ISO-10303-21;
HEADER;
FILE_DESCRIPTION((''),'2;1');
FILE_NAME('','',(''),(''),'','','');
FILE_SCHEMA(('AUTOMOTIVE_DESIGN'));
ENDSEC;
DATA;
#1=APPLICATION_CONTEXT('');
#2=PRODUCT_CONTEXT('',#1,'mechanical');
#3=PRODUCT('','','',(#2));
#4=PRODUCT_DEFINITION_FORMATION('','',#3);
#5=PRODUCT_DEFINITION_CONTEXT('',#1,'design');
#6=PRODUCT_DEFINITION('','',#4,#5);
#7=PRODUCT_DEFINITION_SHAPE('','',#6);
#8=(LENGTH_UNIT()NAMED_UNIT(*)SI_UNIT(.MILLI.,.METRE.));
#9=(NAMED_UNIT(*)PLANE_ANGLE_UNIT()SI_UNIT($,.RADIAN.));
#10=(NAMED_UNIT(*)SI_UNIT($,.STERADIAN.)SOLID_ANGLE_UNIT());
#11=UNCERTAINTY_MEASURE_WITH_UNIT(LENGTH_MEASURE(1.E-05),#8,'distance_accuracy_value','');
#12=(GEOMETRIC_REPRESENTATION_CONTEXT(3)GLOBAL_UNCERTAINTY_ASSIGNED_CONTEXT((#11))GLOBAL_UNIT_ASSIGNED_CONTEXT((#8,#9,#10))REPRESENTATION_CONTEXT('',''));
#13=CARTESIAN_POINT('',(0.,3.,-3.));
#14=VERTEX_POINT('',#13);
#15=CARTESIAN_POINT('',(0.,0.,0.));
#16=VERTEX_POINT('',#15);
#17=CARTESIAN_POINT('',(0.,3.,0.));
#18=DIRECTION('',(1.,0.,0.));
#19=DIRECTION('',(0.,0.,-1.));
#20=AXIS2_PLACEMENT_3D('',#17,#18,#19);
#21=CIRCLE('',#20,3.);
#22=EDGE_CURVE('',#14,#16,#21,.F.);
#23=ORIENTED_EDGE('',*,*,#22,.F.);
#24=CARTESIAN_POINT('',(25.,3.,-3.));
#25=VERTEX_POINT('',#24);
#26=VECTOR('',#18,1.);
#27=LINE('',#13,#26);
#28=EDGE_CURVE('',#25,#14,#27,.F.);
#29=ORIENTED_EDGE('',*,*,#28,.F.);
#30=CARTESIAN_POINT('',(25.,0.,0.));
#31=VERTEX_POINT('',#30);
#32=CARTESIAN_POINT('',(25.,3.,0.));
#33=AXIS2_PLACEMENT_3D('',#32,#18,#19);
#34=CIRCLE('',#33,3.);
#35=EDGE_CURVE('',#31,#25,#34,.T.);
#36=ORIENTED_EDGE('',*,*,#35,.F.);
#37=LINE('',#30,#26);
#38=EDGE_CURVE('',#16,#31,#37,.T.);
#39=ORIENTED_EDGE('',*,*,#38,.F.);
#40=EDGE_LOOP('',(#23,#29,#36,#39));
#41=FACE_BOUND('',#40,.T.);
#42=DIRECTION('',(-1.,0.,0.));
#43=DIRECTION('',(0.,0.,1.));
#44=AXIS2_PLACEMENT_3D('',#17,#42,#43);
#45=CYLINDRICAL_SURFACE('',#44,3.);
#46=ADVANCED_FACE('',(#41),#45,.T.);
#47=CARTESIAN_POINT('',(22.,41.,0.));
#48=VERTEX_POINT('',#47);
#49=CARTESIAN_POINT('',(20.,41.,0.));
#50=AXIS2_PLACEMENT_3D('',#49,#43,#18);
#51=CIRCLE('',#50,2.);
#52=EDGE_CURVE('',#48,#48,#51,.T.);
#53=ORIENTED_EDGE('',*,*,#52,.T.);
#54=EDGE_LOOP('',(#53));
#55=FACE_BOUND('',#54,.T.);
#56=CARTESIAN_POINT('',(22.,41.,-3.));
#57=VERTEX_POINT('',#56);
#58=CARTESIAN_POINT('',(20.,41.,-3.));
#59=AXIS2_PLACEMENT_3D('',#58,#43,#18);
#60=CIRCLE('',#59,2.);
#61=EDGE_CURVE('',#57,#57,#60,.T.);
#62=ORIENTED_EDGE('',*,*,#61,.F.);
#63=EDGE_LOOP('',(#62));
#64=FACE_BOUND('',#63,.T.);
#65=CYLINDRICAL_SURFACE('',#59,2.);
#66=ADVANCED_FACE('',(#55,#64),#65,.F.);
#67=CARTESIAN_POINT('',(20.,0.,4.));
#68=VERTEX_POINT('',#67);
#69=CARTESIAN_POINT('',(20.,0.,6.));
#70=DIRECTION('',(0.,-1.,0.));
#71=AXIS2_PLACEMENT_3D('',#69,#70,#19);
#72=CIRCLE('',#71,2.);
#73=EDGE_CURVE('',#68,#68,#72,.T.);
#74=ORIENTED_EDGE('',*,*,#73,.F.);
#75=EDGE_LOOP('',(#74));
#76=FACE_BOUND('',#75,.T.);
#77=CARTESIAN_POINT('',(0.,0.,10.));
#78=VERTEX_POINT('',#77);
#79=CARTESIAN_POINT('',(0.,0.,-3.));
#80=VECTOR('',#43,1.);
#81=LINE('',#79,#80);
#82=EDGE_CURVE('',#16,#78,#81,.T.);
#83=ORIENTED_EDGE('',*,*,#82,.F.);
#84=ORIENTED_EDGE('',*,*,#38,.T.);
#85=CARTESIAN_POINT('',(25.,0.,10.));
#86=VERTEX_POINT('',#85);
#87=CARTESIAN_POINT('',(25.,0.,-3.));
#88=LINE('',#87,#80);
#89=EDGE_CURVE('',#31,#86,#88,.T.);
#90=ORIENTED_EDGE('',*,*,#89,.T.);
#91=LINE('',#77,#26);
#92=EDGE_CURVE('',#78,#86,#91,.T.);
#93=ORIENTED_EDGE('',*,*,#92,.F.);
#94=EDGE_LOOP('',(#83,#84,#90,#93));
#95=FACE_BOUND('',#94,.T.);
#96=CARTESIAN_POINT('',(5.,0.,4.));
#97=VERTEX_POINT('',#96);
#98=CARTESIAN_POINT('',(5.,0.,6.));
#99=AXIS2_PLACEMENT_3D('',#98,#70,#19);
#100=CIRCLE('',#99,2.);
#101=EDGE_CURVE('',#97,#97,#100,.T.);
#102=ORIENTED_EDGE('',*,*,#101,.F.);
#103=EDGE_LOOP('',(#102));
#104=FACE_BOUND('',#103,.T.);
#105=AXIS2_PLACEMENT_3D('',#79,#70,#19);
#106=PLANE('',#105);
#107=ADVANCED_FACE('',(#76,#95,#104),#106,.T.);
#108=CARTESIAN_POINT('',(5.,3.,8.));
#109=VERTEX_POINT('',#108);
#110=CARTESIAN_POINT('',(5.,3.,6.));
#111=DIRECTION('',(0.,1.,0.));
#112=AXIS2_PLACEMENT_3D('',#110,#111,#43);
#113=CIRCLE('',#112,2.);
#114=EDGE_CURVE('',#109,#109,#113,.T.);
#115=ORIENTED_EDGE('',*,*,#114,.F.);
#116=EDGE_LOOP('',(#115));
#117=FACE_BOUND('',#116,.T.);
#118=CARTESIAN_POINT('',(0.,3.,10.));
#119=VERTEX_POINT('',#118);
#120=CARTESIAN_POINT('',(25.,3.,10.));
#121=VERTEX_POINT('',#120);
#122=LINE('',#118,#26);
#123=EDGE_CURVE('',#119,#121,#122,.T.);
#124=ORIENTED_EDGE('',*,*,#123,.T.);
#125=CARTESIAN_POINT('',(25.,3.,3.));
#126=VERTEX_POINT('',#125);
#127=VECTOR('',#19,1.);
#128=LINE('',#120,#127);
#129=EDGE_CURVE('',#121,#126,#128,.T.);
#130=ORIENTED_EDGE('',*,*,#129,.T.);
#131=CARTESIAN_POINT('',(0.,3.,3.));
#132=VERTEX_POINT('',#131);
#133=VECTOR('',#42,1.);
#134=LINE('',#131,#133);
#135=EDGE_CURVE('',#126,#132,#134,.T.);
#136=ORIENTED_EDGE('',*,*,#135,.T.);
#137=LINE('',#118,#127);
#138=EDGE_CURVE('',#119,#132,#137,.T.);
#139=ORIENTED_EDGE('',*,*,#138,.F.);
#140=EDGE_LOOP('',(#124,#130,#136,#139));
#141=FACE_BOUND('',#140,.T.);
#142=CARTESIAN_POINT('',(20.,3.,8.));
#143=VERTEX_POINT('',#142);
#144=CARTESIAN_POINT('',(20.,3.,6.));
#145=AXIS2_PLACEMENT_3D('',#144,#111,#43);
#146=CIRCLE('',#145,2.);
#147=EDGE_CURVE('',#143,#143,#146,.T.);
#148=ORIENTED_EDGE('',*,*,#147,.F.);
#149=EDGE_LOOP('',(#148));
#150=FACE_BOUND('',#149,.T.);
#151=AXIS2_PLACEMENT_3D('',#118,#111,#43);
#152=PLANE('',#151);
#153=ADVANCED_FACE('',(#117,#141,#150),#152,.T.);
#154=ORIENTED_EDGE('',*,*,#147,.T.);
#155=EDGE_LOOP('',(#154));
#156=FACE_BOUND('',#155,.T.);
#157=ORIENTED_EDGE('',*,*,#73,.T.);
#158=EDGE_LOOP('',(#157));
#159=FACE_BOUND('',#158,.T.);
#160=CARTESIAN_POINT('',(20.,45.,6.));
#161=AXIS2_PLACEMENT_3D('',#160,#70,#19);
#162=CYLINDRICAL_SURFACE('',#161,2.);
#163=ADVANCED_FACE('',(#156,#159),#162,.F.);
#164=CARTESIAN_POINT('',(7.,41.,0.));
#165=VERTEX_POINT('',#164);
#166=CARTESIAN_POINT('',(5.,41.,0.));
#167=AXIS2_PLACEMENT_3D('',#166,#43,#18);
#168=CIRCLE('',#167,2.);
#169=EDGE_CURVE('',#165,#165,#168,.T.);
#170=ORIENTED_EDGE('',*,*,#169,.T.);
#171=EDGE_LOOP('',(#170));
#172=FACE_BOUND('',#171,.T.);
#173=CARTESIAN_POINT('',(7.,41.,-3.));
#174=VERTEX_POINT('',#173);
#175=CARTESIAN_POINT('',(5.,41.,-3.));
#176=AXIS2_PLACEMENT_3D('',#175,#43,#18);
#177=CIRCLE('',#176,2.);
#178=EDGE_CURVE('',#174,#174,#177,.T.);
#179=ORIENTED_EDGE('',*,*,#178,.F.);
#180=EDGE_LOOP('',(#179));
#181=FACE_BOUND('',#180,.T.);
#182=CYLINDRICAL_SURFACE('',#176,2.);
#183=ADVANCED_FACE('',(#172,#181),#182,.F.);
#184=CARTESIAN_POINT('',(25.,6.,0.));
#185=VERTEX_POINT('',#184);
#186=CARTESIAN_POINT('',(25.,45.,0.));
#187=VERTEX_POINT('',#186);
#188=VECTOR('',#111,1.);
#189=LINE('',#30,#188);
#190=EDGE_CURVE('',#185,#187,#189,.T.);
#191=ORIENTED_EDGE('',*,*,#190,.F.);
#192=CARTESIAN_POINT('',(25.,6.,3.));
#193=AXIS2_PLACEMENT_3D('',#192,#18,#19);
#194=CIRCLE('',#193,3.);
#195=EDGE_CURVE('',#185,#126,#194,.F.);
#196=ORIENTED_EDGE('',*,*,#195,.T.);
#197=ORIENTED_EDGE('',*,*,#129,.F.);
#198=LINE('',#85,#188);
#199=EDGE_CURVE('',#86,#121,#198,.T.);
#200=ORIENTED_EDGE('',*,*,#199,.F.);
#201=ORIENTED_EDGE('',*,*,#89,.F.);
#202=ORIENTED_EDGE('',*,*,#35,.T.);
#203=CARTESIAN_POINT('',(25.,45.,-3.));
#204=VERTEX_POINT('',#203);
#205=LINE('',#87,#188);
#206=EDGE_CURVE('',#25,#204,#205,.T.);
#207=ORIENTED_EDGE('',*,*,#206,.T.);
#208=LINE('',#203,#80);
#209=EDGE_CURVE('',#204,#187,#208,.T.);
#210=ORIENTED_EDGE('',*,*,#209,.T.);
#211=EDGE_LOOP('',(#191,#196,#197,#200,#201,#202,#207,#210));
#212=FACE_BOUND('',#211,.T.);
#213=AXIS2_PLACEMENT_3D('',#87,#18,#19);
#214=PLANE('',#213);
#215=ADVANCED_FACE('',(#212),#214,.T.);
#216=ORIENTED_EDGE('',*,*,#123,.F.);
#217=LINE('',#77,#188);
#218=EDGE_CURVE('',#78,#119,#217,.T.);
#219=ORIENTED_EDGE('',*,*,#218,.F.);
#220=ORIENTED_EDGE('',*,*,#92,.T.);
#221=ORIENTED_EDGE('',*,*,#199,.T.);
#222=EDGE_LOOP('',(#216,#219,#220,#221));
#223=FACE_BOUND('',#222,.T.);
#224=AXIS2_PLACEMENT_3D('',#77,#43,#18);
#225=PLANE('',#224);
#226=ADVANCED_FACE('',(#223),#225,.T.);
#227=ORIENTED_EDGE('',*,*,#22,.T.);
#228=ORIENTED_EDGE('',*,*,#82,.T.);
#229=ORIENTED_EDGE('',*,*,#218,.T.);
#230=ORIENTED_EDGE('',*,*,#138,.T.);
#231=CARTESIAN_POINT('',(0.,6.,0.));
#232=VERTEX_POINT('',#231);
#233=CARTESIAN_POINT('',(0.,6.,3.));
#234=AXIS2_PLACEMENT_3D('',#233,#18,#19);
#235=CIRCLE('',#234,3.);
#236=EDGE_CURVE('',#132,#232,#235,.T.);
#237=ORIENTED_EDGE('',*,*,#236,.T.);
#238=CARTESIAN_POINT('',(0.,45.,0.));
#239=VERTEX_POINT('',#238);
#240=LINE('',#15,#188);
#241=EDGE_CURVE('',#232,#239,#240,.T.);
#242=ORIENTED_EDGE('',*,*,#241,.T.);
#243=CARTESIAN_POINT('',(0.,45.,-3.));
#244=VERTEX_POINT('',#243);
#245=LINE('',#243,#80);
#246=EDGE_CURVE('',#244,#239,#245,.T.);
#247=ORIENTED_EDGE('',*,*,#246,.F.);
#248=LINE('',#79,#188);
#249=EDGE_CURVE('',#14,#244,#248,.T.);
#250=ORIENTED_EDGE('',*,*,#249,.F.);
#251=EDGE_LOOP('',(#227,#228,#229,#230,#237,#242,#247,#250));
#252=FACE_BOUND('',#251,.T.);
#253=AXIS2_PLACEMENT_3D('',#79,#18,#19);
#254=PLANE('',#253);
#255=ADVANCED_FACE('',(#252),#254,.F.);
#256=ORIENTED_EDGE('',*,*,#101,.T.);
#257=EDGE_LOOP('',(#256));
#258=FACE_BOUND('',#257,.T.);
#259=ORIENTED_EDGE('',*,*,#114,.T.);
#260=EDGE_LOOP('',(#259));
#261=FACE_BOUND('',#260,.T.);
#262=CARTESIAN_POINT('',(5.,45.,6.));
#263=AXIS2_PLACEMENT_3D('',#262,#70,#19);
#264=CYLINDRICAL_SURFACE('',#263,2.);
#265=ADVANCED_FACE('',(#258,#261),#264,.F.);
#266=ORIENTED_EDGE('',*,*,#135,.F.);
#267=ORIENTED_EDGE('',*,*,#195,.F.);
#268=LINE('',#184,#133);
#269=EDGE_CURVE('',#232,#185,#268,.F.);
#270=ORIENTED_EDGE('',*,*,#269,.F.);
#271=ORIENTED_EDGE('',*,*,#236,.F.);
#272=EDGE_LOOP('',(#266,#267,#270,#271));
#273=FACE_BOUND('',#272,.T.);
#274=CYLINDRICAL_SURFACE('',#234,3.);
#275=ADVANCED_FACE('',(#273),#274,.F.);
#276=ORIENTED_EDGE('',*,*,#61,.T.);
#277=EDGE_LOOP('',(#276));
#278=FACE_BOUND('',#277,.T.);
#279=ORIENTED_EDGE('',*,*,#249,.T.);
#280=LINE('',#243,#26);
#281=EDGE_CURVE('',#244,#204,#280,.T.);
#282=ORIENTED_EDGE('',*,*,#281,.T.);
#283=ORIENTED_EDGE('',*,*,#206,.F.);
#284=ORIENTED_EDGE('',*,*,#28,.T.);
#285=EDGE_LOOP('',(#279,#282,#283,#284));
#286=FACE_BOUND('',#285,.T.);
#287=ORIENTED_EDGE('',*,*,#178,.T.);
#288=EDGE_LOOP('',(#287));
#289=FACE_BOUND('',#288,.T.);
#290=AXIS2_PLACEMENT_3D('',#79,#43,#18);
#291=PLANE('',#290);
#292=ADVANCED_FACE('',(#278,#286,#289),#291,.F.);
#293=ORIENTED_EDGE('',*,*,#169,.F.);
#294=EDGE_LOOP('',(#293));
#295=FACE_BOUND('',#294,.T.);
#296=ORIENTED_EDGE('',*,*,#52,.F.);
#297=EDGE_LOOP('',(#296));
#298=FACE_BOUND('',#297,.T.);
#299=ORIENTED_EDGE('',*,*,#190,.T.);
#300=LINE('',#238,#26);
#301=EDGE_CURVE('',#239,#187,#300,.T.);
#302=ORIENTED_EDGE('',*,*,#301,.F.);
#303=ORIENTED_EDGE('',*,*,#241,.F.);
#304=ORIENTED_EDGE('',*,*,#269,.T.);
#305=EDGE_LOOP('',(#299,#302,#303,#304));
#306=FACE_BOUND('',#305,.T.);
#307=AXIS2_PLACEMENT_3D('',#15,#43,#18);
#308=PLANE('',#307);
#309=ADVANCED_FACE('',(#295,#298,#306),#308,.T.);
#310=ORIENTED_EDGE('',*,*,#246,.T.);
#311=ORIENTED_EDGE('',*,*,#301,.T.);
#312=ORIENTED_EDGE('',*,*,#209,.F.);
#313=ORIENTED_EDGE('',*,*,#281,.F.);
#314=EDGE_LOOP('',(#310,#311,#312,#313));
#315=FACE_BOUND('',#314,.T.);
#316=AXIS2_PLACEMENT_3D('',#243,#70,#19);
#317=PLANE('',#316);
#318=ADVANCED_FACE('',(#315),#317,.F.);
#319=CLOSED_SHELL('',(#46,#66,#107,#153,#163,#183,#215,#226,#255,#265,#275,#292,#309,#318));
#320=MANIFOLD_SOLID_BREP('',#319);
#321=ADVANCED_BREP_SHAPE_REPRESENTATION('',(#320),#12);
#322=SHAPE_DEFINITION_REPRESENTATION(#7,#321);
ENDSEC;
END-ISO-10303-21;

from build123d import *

# Parameters (mm, degrees)
SKETCH1_W           = 25
SKETCH1_H           = 45
SKETCH1_R           = 2
BOSS_EXTRUDE1_DEPTH = 3
BOSS_EXTRUDE2_START = -3
SKETCH1_3_W         = 25
SKETCH1_3_H         = 3
BOSS_EXTRUDE2_DEPTH = 13
FILLET1_R           = 3
SKETCH2_R           = 2
CUT_EXTRUDE1_DEPTH  = 46


with BuildPart() as part:
    # Sketch1 → Boss-Extrude1 (new body)
    with BuildSketch(Plane.XY):
        with Locations((12.5, 22.5)):
            Rectangle(SKETCH1_W, SKETCH1_H)
        with Locations((20, 41)):
            Circle(SKETCH1_R, mode=Mode.SUBTRACT)
        with Locations((5, 41)):
            Circle(SKETCH1_R, mode=Mode.SUBTRACT)
    extrude(amount=-BOSS_EXTRUDE1_DEPTH)

    # Sketch1<3> → Boss-Extrude2 (add)
    with BuildSketch(Plane.XY.offset(BOSS_EXTRUDE2_START)):
        with Locations((12.5, 1.5)):
            Rectangle(SKETCH1_3_W, SKETCH1_3_H)
    extrude(amount=BOSS_EXTRUDE2_DEPTH)

    # Fillet1
    fillet1_edges = [part.edges().sort_by_distance(p)[0] for p in [
        (12.5, 3, 0),
        (12.5, 0, -3),
    ]]
    fillet(fillet1_edges, radius=FILLET1_R)

    # Sketch2 → Cut-Extrude1 (cut, through all)
    with BuildSketch(Plane(origin=(0, 0, 0), x_dir=(-1, 0, 0), z_dir=(0, -1, 0))):
        with Locations((-5, -6)):
            Circle(SKETCH2_R)
        with Locations((-20, -6)):
            Circle(SKETCH2_R)
    extrude(amount=-CUT_EXTRUDE1_DEPTH, mode=Mode.SUBTRACT)


solid = part.part
